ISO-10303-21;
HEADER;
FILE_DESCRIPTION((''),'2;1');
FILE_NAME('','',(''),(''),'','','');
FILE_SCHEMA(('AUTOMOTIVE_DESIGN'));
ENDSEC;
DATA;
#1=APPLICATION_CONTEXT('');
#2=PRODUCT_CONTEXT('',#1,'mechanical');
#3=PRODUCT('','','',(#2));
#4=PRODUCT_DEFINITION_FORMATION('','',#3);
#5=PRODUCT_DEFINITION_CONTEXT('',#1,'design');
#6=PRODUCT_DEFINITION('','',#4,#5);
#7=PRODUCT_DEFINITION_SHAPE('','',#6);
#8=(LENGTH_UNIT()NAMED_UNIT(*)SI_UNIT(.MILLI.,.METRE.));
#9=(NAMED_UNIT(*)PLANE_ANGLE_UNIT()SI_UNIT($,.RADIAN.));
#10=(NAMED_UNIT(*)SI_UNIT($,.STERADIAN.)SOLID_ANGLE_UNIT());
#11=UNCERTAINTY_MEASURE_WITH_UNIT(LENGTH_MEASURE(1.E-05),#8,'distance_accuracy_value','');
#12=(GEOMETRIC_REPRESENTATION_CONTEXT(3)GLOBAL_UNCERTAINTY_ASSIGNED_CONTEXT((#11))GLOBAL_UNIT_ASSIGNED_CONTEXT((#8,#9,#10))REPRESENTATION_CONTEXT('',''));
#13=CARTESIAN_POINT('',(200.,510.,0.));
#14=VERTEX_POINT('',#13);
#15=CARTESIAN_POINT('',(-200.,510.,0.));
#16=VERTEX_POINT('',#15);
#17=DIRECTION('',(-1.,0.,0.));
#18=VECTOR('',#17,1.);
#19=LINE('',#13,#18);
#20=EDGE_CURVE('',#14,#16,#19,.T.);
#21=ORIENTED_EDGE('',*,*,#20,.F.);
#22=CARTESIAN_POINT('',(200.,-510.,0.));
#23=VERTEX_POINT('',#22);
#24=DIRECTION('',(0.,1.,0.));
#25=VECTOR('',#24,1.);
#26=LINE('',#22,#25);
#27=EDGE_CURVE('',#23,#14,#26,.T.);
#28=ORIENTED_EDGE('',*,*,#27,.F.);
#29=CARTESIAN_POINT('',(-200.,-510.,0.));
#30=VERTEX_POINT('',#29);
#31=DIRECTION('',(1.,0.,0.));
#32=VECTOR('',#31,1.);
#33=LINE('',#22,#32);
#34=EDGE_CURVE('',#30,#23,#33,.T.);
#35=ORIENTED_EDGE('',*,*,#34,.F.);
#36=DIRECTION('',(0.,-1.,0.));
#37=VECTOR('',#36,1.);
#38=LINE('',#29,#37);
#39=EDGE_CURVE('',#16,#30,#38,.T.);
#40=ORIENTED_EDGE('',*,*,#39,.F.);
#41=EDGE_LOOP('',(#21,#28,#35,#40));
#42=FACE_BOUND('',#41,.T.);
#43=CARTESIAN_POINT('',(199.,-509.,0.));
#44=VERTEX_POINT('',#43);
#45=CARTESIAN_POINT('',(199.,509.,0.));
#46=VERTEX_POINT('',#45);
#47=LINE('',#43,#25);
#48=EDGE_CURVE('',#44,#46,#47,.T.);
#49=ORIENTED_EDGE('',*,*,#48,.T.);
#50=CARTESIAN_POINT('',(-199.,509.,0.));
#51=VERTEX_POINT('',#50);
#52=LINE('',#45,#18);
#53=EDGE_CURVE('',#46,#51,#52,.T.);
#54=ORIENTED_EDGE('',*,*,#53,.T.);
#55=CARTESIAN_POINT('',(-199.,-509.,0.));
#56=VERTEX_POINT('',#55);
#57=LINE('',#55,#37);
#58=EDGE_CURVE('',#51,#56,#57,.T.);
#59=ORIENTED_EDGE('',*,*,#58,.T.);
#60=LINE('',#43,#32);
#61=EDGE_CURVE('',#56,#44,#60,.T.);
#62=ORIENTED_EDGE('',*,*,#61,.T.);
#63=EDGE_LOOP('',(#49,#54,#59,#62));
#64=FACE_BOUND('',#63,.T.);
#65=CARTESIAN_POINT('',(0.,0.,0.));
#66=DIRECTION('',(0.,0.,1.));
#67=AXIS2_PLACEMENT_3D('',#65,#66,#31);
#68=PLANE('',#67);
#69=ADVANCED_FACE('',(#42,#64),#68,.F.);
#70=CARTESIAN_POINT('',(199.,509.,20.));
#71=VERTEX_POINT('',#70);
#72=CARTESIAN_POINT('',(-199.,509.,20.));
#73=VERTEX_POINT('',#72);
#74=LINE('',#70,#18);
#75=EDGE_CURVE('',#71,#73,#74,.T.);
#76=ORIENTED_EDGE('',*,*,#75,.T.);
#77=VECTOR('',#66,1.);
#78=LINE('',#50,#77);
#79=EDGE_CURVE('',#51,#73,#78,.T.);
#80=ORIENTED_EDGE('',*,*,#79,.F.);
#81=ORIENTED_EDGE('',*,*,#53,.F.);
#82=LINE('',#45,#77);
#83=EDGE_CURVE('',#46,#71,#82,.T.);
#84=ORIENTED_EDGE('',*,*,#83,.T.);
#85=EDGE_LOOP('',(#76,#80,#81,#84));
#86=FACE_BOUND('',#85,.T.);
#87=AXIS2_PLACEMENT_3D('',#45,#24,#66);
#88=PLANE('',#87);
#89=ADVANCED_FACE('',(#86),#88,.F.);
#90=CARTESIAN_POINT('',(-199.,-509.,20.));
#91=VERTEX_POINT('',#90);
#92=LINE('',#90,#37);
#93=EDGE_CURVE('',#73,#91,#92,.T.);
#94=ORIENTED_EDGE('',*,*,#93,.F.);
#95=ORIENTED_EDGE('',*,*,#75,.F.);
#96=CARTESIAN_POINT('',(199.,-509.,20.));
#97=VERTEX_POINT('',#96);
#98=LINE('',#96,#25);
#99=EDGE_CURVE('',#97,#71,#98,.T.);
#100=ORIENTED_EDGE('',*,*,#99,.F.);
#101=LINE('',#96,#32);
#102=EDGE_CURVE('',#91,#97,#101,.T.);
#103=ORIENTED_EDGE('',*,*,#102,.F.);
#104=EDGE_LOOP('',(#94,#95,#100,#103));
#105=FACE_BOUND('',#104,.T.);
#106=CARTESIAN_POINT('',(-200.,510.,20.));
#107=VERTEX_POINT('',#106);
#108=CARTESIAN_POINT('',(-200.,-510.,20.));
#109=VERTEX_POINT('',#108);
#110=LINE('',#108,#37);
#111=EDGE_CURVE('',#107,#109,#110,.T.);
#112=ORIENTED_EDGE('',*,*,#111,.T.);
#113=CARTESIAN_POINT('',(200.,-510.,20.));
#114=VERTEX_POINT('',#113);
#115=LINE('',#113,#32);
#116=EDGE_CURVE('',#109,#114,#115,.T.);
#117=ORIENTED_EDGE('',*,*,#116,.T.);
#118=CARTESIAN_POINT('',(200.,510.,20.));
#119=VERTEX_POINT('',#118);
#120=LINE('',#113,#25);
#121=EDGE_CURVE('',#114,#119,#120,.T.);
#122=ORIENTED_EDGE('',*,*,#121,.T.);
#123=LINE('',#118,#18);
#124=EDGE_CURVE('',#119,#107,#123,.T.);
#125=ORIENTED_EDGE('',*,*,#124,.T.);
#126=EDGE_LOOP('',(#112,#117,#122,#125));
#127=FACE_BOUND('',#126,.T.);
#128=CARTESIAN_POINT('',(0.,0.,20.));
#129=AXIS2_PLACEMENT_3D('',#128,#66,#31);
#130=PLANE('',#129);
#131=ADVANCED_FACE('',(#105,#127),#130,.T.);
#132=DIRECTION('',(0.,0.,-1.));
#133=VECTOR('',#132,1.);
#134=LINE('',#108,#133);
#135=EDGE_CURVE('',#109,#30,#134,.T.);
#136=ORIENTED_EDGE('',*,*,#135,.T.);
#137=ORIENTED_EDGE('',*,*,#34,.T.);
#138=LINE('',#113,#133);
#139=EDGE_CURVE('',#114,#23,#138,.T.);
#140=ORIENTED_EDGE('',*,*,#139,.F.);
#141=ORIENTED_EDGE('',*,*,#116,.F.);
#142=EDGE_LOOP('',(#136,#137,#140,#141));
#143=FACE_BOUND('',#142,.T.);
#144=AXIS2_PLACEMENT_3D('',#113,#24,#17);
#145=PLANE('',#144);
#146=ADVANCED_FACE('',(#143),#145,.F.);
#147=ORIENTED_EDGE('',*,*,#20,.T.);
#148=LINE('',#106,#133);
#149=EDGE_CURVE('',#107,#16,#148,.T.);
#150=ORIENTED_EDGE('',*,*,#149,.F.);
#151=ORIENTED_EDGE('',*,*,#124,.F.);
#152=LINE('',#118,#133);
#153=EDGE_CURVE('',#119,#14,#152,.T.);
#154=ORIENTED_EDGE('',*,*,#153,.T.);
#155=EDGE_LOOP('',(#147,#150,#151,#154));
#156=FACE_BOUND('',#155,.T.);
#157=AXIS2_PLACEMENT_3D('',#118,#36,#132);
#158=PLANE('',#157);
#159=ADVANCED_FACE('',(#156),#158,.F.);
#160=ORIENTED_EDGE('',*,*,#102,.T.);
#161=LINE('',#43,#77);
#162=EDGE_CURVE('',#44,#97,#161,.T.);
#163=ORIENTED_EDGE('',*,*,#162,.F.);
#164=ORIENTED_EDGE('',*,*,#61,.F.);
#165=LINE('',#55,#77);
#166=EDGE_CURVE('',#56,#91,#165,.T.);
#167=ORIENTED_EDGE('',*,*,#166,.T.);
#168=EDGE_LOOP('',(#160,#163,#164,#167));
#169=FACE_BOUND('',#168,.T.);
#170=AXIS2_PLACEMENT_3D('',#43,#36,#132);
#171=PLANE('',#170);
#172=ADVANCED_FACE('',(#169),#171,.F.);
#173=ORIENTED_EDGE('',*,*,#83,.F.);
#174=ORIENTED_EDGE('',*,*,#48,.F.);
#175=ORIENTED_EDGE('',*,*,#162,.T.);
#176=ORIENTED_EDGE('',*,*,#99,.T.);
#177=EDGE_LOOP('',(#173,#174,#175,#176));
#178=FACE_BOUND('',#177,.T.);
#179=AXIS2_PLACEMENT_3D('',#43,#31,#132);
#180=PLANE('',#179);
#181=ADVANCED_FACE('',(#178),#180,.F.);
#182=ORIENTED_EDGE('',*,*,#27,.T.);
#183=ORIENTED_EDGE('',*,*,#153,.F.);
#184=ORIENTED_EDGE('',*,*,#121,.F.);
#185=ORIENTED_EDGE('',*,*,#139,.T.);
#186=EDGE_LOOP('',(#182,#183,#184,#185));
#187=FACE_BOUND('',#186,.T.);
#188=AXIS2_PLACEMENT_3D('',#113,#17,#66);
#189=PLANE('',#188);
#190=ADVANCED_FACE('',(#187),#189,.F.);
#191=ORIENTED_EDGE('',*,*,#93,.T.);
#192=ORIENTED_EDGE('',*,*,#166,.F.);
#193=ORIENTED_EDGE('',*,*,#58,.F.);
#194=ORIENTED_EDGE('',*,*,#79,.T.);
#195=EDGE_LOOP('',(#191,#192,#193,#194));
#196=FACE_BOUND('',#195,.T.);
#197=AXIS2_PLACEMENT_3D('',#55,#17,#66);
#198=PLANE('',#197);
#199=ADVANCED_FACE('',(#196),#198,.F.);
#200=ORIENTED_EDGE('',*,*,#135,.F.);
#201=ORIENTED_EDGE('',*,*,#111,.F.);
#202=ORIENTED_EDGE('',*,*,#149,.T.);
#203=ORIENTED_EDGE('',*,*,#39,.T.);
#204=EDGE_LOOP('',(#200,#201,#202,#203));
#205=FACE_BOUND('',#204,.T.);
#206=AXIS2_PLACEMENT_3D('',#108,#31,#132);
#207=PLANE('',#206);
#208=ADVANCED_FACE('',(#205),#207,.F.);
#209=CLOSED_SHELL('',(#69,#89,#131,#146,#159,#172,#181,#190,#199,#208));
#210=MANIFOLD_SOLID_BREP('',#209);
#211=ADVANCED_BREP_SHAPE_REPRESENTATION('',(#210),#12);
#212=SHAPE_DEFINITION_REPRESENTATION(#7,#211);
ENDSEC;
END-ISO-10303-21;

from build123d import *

# Parameters (mm, degrees)
SKETCH3_W           = 400
SKETCH3_H           = 1020
BOSS_EXTRUDE1_DEPTH = 20
SKETCH4_W           = 398
SKETCH4_H           = 1018
CUT_EXTRUDE1_DEPTH  = 20


with BuildPart() as part:
    # Sketch3 → Boss-Extrude1 (new body)
    with BuildSketch(Plane.XY):
        Rectangle(SKETCH3_W, SKETCH3_H)
    extrude(amount=BOSS_EXTRUDE1_DEPTH)

    # Sketch4 → Cut-Extrude1 (cut)
    with BuildSketch(Plane.XY.offset(20)):
        Rectangle(SKETCH4_W, SKETCH4_H)
    extrude(amount=-CUT_EXTRUDE1_DEPTH, mode=Mode.SUBTRACT)


solid = part.part
